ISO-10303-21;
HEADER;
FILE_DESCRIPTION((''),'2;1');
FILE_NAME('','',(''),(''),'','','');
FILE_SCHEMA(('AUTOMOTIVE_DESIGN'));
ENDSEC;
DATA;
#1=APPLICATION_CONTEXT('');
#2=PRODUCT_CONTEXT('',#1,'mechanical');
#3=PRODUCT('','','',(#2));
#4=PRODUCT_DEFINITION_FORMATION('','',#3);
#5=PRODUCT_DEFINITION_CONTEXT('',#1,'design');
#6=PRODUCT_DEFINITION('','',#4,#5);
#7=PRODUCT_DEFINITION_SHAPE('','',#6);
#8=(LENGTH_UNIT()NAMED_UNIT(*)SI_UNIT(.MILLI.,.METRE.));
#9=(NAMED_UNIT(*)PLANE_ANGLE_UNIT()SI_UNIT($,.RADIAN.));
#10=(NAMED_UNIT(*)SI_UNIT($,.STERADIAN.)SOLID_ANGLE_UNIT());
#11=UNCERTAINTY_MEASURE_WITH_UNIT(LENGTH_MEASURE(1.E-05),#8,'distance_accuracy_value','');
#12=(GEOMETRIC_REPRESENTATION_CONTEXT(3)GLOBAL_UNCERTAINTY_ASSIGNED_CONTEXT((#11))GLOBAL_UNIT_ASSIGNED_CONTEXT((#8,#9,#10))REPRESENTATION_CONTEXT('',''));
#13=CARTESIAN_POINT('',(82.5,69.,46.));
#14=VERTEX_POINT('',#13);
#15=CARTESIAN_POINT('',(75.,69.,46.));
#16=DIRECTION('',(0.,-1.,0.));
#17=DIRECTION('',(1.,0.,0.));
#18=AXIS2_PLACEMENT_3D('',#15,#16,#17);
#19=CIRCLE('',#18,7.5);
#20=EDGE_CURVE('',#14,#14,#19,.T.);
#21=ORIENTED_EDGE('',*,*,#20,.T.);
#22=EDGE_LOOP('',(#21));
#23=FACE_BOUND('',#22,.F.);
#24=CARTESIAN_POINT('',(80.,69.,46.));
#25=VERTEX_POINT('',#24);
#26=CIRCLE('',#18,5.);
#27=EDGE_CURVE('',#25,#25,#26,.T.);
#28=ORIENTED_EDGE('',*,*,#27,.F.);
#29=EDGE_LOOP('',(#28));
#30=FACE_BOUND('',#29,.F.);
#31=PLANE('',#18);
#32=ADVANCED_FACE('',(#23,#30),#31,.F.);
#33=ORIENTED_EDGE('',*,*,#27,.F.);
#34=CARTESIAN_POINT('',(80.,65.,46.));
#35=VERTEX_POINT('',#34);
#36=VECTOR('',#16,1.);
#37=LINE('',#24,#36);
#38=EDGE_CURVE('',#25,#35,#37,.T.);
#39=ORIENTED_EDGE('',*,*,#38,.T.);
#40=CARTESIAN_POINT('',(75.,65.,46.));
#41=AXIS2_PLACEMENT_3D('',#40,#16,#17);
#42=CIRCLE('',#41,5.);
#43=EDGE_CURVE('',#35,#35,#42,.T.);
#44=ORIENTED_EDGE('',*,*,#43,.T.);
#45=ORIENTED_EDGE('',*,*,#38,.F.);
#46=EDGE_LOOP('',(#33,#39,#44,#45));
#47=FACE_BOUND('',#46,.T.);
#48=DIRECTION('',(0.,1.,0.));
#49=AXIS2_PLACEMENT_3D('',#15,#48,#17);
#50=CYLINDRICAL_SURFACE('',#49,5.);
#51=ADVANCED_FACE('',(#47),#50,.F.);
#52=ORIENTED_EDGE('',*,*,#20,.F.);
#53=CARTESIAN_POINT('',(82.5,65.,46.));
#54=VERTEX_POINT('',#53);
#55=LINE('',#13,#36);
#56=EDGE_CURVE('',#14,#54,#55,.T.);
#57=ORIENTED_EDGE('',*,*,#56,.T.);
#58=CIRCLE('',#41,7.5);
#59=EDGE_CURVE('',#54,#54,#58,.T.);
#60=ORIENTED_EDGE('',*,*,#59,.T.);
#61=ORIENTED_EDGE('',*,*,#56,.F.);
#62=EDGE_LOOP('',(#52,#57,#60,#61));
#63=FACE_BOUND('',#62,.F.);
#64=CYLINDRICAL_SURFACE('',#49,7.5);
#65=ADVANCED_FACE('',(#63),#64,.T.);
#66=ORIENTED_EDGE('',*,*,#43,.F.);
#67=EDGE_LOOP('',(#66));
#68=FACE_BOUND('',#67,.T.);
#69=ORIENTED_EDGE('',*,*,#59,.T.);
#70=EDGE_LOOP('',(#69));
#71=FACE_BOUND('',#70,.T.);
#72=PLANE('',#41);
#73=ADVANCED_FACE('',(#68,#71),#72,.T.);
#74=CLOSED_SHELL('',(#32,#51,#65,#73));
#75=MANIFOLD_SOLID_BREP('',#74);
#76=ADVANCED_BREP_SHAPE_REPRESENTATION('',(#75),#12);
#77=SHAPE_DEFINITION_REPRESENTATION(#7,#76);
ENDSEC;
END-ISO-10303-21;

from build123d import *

# Parameters (mm, degrees)
CYLINDER416_R     = 5
CYLINDER416_DEPTH = 4
CYLINDER415_R     = 7.5
CYLINDER415_DEPTH = 4


with BuildPart() as cylinder:
    # Cylinder416 → Cylinder416 (new body)
    with BuildSketch(Plane(origin=(75, 69, 46), x_dir=(1, 0, 0), z_dir=(0, -1, 0))):
        Circle(CYLINDER416_R)
    extrude(amount=CYLINDER416_DEPTH)


with BuildPart() as cut004026018020025012002:
    # Cylinder415 → Cylinder415 (new body)
    with BuildSketch(Plane(origin=(75, 69, 46), x_dir=(1, 0, 0), z_dir=(0, -1, 0))):
        Circle(CYLINDER415_R)
    extrude(amount=CYLINDER415_DEPTH)

    # Cut004026018020025012002: cut Cylinder
    add(cylinder.part, mode=Mode.SUBTRACT)


solid = cut004026018020025012002.part
